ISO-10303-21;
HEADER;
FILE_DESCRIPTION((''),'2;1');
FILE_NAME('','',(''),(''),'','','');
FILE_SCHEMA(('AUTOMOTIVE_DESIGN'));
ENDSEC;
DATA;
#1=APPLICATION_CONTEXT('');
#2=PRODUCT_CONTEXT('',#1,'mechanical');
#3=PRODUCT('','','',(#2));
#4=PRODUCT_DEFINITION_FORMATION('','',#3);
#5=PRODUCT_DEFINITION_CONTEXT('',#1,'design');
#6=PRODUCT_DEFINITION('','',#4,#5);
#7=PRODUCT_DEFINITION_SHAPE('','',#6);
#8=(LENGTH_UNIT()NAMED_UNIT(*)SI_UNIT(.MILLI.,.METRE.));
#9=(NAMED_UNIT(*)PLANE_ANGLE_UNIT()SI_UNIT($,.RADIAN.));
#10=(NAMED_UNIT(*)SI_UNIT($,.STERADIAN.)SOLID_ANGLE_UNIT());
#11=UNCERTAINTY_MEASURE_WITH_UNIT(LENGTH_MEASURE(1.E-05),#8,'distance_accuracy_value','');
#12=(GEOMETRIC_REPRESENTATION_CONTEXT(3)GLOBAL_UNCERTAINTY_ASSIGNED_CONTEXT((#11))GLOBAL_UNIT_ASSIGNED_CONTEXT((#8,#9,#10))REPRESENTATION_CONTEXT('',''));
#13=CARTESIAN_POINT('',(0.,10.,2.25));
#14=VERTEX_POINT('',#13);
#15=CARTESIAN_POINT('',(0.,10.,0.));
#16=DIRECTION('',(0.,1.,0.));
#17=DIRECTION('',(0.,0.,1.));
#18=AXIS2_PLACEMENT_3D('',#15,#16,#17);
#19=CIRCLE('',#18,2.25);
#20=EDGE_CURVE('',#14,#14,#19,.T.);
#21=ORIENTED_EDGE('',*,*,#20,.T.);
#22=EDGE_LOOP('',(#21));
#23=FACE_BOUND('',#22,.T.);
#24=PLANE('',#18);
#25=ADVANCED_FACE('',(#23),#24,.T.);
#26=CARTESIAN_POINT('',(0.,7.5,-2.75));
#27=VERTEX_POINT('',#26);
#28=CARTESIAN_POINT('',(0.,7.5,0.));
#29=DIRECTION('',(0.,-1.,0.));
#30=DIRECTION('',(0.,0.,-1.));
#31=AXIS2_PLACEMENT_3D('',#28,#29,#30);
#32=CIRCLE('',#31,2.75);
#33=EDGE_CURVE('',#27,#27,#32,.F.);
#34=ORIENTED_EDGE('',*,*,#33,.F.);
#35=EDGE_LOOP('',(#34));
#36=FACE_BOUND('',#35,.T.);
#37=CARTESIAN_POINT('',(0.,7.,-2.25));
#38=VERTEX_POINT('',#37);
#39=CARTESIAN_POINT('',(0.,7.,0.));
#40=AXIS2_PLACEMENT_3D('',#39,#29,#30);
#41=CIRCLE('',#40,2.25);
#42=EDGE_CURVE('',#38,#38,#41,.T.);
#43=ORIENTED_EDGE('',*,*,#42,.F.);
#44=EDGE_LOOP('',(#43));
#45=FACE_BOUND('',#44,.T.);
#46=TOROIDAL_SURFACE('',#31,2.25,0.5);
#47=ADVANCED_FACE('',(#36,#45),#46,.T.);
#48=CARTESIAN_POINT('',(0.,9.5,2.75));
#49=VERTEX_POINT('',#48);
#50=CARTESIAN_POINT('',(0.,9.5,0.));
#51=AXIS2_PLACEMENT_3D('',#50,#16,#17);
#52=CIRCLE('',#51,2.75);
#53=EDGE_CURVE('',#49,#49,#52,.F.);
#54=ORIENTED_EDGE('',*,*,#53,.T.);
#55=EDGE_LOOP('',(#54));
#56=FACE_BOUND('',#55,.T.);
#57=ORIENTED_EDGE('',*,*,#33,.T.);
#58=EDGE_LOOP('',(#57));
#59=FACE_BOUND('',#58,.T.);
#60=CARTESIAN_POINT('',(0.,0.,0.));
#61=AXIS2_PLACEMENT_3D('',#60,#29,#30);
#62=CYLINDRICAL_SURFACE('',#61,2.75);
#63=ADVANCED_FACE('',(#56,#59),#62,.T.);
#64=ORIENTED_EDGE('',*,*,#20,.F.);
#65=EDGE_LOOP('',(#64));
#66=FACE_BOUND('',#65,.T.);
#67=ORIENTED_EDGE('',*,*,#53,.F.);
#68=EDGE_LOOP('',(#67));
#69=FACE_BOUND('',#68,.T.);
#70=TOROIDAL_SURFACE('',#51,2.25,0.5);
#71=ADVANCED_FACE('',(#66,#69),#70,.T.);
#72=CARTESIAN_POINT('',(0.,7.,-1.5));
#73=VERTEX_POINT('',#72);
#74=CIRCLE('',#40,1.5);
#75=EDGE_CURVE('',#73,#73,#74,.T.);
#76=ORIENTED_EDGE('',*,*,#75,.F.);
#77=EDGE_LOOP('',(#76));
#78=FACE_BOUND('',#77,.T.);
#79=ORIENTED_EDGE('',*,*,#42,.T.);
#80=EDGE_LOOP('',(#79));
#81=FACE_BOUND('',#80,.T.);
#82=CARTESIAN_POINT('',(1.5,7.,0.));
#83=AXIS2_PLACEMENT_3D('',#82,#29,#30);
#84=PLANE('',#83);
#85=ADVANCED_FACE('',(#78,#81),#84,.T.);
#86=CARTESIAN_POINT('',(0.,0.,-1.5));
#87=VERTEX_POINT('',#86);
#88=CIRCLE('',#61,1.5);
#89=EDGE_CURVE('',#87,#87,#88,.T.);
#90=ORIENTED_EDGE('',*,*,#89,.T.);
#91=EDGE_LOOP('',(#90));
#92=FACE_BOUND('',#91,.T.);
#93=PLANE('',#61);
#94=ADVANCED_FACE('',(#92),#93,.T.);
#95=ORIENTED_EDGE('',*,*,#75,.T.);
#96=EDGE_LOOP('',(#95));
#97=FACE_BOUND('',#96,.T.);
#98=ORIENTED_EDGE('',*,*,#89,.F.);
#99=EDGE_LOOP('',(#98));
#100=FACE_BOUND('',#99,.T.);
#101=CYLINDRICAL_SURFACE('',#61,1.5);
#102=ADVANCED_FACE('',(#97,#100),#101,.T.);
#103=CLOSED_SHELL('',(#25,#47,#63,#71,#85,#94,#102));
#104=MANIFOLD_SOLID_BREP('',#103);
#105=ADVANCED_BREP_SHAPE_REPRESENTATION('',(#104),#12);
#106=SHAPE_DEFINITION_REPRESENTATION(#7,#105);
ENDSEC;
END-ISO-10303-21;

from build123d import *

# Parameters (mm, degrees)
FILLET1_R = 0.5


with BuildPart() as part:
    # Sketch1 → Revolve1 (revolve)
    with BuildSketch(Plane.XY, mode=Mode.PRIVATE) as revolve1_sk:
        Polygon((0, 0), (1.5, 0), (1.5, 7), (2.75, 7), (2.75, 10), (0, 10), (0, 7), align=None)
    revolve(revolve1_sk.sketch.rotate(Axis((0, 0, 0), (0, 1, 0)), 90), axis=Axis((0, 0, 0), (0, 1, 0)))

    # Fillet1
    fillet1_edges = [part.edges().sort_by_distance(p)[0] for p in [
        (0, 7, 2.75),
        (0, 10, 2.75),
    ]]
    fillet(fillet1_edges, radius=FILLET1_R)


solid = part.part
